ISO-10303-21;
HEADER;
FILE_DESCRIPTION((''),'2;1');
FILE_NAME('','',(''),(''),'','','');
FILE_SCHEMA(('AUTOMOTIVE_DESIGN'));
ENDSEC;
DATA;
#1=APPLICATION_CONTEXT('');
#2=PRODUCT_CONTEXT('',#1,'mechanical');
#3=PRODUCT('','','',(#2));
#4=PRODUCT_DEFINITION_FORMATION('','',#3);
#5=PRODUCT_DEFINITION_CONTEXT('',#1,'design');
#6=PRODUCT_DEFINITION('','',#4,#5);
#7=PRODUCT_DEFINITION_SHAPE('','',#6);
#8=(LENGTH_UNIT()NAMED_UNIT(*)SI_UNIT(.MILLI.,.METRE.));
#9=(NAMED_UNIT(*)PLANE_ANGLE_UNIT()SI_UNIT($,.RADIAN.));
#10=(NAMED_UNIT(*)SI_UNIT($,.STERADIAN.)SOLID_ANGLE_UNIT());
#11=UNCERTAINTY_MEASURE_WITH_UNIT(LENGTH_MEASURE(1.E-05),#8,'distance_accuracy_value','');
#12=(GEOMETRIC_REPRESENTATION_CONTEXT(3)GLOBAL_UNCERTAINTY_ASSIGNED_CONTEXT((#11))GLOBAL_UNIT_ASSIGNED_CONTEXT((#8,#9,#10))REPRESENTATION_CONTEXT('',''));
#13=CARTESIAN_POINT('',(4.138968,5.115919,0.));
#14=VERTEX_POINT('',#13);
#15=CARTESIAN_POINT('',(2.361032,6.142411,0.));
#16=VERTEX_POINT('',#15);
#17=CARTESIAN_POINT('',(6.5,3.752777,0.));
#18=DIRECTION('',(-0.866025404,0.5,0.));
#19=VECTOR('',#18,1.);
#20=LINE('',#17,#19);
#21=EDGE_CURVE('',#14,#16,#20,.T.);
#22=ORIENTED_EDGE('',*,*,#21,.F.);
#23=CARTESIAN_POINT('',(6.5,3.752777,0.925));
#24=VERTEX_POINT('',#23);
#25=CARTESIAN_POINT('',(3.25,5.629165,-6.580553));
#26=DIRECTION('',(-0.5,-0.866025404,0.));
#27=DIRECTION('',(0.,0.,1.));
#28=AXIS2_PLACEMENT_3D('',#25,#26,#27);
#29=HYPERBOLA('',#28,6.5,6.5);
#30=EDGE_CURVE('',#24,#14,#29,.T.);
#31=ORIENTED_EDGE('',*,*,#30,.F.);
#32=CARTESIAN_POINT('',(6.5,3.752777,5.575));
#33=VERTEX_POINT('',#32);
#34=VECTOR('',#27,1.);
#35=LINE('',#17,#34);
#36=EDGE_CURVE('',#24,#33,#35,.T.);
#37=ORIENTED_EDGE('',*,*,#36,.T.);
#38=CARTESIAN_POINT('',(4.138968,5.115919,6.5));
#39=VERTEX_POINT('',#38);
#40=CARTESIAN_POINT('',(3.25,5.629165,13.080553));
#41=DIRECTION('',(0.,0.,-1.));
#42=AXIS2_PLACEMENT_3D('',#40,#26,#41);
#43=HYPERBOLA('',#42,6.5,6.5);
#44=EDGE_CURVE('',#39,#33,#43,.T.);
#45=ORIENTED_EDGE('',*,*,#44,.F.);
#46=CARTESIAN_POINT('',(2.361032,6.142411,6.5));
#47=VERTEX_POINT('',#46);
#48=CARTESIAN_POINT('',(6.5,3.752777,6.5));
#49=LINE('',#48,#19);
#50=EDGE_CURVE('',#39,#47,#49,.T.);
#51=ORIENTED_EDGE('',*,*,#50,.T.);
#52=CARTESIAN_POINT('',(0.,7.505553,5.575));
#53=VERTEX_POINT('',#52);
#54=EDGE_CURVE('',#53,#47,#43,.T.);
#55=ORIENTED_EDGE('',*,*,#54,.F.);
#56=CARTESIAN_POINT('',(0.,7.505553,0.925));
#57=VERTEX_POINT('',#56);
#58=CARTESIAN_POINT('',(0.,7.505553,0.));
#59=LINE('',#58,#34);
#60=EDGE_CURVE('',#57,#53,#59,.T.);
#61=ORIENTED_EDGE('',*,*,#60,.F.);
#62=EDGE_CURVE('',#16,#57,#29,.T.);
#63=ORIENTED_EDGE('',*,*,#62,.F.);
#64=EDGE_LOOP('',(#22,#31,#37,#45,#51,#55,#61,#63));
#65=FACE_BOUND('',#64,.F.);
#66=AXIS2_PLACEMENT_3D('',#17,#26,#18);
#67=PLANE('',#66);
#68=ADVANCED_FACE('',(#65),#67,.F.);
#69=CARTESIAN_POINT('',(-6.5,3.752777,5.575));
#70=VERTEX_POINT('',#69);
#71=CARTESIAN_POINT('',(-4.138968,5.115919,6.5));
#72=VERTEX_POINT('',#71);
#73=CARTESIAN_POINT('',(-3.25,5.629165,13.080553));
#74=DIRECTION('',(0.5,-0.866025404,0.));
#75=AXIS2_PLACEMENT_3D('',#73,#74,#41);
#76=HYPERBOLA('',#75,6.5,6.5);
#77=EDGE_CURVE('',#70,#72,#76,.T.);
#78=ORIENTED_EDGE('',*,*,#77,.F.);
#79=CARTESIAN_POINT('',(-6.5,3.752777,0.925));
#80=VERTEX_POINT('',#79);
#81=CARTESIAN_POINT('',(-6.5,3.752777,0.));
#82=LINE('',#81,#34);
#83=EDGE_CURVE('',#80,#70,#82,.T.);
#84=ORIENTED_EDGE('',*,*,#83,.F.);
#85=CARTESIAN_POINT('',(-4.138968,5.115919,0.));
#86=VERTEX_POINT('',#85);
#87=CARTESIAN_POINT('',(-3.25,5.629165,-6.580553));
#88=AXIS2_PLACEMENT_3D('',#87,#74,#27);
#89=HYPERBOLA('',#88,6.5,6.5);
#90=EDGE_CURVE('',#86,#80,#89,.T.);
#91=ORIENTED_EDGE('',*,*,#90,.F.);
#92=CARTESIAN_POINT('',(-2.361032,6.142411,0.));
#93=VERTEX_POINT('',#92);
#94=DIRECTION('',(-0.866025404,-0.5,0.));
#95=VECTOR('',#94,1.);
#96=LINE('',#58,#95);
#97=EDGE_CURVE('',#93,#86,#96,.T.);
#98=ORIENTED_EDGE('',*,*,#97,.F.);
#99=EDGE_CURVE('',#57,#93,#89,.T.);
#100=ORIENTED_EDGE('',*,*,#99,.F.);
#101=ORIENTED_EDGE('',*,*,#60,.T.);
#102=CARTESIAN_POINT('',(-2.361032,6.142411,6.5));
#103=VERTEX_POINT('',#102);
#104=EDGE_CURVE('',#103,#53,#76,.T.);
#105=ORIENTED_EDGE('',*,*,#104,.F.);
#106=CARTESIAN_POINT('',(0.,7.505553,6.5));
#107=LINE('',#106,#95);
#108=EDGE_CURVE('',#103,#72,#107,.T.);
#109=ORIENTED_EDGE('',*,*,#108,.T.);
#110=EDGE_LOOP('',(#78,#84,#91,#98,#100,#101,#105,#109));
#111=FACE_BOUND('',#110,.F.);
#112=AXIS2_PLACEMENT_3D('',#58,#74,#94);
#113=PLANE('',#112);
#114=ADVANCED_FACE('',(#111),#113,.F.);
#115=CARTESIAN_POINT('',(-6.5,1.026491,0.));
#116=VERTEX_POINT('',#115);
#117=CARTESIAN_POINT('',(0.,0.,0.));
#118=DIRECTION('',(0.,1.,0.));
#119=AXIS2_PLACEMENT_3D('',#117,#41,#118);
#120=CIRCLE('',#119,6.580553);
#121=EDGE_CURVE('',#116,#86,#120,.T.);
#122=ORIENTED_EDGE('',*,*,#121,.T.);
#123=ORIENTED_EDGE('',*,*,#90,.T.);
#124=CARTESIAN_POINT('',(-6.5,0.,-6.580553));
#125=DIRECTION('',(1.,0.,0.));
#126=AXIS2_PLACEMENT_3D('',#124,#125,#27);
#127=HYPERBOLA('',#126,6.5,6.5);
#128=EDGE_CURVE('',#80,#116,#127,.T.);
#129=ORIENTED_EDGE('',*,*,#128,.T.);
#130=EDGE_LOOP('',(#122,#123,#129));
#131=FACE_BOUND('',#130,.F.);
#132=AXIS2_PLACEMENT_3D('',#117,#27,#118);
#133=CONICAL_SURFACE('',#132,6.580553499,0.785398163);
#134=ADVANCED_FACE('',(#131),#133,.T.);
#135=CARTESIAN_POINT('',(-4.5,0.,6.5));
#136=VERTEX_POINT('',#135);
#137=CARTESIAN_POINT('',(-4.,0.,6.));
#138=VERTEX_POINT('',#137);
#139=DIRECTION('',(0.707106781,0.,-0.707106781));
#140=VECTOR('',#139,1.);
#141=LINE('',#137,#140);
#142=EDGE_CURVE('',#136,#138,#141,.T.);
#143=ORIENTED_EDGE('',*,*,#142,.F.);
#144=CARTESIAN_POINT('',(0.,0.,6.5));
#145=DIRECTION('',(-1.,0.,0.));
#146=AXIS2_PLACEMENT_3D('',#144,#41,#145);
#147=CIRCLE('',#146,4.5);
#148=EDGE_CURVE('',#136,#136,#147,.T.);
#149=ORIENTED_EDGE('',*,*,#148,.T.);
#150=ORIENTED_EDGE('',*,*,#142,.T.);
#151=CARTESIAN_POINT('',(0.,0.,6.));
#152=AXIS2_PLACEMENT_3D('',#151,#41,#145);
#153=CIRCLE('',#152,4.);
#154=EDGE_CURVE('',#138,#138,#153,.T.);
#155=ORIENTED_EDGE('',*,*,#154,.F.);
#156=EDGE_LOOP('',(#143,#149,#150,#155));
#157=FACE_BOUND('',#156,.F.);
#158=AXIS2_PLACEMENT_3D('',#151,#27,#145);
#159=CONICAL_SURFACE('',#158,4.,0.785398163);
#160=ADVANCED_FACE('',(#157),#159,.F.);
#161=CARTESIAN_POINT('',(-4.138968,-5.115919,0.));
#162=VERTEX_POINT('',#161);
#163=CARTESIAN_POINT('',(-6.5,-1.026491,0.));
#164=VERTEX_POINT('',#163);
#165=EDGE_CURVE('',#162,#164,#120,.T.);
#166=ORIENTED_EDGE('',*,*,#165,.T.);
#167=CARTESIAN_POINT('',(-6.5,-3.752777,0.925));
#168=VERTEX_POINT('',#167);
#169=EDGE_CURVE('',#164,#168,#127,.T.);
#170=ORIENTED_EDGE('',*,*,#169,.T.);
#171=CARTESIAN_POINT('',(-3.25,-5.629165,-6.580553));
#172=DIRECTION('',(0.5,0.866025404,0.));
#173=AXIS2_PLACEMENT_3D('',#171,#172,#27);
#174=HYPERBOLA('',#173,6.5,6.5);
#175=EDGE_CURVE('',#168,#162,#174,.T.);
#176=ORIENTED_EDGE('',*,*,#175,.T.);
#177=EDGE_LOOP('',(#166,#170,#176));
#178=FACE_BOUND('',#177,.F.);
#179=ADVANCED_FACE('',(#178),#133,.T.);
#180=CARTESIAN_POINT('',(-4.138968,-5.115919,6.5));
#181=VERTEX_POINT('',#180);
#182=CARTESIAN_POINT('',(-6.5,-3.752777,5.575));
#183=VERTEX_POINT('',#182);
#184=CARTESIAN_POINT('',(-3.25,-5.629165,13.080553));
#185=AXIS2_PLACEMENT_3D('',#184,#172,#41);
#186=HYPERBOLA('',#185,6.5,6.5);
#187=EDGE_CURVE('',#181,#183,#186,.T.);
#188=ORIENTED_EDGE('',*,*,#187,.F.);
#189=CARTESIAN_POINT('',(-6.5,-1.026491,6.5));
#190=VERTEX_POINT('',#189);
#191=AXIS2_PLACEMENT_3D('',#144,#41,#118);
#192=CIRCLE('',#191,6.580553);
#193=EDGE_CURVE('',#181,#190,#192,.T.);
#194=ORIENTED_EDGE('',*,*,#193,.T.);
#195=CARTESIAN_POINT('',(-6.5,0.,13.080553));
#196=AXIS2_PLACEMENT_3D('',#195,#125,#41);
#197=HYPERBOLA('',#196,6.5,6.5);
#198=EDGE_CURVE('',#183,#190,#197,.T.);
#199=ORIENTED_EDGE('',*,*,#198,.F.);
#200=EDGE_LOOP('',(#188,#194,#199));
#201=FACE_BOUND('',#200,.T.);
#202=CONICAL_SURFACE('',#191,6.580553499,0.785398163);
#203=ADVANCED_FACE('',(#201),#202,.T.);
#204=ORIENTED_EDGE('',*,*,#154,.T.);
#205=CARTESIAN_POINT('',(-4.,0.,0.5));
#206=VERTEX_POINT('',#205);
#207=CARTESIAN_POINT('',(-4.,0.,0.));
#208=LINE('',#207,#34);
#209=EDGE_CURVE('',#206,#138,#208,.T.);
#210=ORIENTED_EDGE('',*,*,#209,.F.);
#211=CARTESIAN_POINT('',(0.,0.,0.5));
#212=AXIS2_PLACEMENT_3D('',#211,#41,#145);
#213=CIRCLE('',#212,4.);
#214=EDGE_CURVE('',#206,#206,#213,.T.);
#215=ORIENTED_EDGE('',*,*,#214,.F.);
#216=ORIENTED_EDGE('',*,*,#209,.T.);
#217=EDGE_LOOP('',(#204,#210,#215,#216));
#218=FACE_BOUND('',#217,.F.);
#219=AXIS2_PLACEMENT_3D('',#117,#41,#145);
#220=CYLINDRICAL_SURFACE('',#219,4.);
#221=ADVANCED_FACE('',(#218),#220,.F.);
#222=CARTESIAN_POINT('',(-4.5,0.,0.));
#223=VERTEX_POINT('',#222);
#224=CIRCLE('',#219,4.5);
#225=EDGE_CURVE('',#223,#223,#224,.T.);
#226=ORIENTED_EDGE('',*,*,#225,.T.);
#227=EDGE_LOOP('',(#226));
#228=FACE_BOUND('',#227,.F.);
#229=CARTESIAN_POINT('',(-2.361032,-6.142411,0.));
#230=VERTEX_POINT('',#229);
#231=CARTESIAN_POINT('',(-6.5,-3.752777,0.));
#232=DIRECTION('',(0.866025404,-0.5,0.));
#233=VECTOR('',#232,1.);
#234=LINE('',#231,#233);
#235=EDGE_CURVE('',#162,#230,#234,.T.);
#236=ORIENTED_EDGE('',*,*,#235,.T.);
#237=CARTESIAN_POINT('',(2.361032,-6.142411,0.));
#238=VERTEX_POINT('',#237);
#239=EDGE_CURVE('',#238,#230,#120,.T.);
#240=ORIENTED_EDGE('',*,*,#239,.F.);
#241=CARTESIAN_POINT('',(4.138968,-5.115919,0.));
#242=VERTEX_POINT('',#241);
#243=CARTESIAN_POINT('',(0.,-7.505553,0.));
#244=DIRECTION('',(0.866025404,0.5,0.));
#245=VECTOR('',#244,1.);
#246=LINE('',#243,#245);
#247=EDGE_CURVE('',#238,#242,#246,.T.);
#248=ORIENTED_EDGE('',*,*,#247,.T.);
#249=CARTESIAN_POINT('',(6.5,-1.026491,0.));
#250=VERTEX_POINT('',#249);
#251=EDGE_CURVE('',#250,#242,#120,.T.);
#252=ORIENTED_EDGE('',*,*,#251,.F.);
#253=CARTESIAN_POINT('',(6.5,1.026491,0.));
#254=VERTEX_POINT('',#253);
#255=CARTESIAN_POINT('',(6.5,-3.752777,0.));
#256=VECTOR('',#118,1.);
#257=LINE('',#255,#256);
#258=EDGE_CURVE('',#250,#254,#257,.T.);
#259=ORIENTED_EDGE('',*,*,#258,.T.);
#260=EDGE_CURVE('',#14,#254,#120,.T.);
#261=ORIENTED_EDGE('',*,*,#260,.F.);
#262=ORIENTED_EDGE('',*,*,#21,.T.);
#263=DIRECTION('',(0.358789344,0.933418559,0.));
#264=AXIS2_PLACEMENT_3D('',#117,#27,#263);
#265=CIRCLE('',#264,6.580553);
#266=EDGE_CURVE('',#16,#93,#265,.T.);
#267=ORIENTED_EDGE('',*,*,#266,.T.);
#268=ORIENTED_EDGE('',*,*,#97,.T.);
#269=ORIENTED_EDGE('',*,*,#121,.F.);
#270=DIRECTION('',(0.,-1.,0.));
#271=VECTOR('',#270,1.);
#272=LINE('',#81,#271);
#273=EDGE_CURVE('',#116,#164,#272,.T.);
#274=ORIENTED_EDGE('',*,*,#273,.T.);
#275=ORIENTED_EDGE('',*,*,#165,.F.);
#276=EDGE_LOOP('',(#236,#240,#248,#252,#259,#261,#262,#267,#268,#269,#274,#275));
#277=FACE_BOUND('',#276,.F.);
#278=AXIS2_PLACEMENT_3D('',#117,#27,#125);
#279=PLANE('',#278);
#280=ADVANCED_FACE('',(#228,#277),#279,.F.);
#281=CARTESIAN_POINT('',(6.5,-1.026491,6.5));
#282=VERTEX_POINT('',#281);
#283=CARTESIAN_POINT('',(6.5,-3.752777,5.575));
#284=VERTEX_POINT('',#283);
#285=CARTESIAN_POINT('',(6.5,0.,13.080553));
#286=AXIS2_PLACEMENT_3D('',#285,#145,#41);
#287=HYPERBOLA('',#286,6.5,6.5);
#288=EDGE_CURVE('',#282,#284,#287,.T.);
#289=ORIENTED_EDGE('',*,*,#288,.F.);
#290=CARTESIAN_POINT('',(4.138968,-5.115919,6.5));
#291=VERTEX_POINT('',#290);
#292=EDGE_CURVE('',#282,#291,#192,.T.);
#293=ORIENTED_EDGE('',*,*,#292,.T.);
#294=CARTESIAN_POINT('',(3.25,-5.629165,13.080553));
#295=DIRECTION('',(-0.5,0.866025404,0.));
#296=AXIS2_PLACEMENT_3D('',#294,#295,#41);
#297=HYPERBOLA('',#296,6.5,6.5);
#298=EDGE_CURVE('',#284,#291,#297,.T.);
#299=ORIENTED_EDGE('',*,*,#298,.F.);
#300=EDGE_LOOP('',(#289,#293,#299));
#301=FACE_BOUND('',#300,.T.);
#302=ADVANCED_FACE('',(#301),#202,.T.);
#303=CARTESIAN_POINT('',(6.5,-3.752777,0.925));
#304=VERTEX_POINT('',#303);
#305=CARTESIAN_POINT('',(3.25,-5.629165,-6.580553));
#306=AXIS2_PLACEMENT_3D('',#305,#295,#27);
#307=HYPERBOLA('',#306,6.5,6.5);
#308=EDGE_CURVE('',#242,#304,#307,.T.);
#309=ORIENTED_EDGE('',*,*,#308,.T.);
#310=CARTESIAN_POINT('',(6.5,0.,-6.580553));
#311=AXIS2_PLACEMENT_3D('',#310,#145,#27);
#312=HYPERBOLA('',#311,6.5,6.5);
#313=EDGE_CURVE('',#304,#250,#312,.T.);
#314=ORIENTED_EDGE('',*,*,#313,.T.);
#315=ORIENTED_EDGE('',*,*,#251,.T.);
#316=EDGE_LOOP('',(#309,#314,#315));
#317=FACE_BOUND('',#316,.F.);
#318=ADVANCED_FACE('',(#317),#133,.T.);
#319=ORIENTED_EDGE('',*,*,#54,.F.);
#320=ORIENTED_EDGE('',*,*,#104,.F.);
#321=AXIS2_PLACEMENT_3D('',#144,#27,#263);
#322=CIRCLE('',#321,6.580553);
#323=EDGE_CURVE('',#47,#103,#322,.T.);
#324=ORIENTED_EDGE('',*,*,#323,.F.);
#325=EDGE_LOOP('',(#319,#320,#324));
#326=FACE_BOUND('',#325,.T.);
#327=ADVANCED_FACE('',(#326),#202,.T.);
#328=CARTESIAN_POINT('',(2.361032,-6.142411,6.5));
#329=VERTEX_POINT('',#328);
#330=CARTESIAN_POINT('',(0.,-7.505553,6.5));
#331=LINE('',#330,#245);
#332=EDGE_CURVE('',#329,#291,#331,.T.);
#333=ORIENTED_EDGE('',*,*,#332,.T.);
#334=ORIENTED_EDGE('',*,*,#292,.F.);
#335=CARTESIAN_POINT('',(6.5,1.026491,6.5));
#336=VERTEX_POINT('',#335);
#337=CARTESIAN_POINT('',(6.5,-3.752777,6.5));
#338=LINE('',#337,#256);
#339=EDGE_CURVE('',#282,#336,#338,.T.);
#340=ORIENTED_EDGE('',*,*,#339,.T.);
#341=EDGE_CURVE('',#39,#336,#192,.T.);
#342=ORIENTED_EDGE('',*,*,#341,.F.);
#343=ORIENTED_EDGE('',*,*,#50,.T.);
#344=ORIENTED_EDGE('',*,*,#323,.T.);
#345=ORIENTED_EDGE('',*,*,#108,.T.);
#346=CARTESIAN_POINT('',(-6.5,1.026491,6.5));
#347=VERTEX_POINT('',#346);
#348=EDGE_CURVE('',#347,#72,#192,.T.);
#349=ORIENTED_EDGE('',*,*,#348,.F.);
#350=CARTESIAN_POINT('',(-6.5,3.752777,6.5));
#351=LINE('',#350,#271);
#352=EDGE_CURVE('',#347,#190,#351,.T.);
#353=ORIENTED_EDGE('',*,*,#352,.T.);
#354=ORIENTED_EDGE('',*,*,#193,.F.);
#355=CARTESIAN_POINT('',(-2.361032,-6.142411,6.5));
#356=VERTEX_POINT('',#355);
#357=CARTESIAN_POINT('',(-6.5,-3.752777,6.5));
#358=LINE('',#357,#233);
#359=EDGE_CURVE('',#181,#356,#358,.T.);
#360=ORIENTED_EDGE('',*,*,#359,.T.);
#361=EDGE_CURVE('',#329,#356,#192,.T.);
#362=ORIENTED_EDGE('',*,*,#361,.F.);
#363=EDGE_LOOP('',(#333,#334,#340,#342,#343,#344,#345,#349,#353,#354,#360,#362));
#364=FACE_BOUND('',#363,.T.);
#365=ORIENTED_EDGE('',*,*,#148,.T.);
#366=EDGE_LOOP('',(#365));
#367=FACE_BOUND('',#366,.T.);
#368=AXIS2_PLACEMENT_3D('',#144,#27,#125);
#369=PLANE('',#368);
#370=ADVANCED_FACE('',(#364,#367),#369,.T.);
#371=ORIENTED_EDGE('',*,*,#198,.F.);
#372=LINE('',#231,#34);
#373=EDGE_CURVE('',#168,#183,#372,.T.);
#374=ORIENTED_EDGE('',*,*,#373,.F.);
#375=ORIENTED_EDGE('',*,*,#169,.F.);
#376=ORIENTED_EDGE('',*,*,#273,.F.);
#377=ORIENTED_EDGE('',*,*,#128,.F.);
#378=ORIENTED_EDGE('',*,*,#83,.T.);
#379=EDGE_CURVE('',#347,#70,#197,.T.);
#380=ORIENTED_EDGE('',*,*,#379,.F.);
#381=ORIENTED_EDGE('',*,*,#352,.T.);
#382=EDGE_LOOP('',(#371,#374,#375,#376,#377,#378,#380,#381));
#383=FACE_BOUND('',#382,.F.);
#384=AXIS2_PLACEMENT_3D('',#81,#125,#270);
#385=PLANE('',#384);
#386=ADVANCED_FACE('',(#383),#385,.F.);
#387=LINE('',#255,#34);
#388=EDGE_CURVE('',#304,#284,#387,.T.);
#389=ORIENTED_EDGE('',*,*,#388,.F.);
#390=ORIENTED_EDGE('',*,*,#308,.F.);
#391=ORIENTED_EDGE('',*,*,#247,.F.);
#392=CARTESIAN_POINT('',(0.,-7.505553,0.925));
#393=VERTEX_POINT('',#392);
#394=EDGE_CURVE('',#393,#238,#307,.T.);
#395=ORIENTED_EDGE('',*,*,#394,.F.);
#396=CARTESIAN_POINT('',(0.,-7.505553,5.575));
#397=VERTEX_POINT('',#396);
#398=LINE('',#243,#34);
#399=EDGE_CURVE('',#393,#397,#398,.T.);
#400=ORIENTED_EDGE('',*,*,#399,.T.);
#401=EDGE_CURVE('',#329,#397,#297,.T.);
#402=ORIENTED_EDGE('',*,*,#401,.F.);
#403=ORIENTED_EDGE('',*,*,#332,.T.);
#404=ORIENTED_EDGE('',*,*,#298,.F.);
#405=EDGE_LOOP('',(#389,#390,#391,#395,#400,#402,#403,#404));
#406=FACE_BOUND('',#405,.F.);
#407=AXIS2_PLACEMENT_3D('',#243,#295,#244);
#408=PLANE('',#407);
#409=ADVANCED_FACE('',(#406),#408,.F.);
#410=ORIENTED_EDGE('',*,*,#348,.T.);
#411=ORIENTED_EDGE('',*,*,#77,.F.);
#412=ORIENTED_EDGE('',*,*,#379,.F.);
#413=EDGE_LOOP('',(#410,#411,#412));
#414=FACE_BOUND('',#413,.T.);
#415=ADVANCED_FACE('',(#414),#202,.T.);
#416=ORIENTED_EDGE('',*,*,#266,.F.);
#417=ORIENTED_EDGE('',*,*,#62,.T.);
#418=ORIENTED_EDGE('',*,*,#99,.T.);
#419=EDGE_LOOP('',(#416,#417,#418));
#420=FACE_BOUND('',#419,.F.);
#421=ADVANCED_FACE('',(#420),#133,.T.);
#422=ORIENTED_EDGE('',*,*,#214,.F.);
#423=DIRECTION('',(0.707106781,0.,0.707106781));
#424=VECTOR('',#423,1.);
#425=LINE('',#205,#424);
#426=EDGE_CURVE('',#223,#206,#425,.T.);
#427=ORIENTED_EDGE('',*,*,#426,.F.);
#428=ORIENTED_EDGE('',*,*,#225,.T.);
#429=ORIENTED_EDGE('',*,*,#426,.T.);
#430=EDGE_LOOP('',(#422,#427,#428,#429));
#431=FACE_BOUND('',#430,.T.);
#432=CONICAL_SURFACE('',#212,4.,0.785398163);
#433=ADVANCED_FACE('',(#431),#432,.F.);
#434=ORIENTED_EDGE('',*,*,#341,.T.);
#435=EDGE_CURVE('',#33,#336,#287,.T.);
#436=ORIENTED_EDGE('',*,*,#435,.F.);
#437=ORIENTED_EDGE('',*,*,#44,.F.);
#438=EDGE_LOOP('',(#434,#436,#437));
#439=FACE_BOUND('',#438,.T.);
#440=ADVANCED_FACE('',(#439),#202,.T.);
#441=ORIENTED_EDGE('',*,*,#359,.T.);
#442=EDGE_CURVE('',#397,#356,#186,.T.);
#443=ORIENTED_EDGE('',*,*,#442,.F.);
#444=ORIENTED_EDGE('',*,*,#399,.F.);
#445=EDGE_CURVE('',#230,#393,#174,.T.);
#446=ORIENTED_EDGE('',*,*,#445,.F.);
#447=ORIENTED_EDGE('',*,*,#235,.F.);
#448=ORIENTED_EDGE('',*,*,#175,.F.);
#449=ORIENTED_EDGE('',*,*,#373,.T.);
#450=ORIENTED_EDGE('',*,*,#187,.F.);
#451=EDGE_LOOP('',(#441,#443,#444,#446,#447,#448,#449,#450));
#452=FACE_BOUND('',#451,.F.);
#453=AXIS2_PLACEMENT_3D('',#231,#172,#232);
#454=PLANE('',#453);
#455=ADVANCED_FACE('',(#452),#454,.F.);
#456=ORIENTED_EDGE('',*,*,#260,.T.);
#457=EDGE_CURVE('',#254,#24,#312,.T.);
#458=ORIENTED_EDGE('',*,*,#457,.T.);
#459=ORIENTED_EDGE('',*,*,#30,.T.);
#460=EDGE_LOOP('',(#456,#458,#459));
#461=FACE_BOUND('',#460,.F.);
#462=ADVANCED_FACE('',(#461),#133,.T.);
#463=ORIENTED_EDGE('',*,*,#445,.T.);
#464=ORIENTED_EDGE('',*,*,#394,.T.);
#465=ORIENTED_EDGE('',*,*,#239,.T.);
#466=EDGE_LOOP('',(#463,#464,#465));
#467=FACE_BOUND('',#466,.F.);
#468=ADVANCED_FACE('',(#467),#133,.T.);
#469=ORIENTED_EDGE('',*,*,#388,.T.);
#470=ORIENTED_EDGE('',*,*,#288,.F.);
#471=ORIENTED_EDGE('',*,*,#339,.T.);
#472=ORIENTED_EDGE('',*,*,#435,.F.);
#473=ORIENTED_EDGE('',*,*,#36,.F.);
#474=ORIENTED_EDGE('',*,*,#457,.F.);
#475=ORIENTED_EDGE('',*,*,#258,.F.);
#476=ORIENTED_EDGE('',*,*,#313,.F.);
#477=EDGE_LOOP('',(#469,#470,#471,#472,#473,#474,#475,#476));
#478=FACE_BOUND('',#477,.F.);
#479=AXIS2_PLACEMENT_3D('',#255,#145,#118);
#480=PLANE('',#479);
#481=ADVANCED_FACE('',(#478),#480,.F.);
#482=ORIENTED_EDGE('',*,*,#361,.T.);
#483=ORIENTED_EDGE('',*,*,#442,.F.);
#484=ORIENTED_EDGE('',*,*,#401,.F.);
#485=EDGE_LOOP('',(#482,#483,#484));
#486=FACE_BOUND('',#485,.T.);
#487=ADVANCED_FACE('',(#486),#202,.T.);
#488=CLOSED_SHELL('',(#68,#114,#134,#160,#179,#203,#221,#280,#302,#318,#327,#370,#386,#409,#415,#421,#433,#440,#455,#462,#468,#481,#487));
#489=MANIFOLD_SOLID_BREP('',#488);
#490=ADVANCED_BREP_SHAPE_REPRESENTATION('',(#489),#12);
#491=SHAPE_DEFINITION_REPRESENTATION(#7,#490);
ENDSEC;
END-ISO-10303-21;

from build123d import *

# Parameters (mm, degrees)
EXTRUDE_1_DEPTH     = 6.5
SKETCH_2_R          = 4
CUT_EXTRUDE_1_DEPTH = 12.867322079
CHAMFER_1_SIZE      = 0.5


with BuildPart() as part:
    # Эскиз1 → Вытянуть1 (new body)
    with BuildSketch(Plane.XY):
        Polygon((0, 7.505553499), (-6.5, 3.75277675), (-6.5, -3.75277675), (0, -7.505553499), (6.5, -3.75277675), (6.5, 3.75277675), align=None)
    extrude(amount=EXTRUDE_1_DEPTH)

    # Эскиз15 → Вырез-Повернуть1 (revolve, cut)
    with BuildSketch(Plane(origin=(0, 0, 0), x_dir=(0, 0, -1), z_dir=(1, 0, 0))):
        Polygon((-6.5, 7.505553499), (-6.5, 6.580553499), (-5.575, 7.505553499), align=None)
        Polygon((-0.925, 7.505553499), (0, 7.505553499), (0, 6.580553499), align=None)
    revolve(axis=Axis((0, 0, 2.633835381), (0, 0, -1)), mode=Mode.SUBTRACT)

    # Эскиз2 → Вырез-Вытянуть1 (cut, through all)
    with BuildSketch(Plane(origin=(0, 0, 0), x_dir=(-1, 0, 0), z_dir=(0, 0, -1))):
        Circle(SKETCH_2_R)
    extrude(amount=-CUT_EXTRUDE_1_DEPTH, mode=Mode.SUBTRACT)

    # Фаска1
    chamfer_1_edges = [part.edges().sort_by_distance(p)[0] for p in [
        (4, 0, 6.5),
        (4, 0, 0),
    ]]
    chamfer(chamfer_1_edges, length=CHAMFER_1_SIZE)


solid = part.part
